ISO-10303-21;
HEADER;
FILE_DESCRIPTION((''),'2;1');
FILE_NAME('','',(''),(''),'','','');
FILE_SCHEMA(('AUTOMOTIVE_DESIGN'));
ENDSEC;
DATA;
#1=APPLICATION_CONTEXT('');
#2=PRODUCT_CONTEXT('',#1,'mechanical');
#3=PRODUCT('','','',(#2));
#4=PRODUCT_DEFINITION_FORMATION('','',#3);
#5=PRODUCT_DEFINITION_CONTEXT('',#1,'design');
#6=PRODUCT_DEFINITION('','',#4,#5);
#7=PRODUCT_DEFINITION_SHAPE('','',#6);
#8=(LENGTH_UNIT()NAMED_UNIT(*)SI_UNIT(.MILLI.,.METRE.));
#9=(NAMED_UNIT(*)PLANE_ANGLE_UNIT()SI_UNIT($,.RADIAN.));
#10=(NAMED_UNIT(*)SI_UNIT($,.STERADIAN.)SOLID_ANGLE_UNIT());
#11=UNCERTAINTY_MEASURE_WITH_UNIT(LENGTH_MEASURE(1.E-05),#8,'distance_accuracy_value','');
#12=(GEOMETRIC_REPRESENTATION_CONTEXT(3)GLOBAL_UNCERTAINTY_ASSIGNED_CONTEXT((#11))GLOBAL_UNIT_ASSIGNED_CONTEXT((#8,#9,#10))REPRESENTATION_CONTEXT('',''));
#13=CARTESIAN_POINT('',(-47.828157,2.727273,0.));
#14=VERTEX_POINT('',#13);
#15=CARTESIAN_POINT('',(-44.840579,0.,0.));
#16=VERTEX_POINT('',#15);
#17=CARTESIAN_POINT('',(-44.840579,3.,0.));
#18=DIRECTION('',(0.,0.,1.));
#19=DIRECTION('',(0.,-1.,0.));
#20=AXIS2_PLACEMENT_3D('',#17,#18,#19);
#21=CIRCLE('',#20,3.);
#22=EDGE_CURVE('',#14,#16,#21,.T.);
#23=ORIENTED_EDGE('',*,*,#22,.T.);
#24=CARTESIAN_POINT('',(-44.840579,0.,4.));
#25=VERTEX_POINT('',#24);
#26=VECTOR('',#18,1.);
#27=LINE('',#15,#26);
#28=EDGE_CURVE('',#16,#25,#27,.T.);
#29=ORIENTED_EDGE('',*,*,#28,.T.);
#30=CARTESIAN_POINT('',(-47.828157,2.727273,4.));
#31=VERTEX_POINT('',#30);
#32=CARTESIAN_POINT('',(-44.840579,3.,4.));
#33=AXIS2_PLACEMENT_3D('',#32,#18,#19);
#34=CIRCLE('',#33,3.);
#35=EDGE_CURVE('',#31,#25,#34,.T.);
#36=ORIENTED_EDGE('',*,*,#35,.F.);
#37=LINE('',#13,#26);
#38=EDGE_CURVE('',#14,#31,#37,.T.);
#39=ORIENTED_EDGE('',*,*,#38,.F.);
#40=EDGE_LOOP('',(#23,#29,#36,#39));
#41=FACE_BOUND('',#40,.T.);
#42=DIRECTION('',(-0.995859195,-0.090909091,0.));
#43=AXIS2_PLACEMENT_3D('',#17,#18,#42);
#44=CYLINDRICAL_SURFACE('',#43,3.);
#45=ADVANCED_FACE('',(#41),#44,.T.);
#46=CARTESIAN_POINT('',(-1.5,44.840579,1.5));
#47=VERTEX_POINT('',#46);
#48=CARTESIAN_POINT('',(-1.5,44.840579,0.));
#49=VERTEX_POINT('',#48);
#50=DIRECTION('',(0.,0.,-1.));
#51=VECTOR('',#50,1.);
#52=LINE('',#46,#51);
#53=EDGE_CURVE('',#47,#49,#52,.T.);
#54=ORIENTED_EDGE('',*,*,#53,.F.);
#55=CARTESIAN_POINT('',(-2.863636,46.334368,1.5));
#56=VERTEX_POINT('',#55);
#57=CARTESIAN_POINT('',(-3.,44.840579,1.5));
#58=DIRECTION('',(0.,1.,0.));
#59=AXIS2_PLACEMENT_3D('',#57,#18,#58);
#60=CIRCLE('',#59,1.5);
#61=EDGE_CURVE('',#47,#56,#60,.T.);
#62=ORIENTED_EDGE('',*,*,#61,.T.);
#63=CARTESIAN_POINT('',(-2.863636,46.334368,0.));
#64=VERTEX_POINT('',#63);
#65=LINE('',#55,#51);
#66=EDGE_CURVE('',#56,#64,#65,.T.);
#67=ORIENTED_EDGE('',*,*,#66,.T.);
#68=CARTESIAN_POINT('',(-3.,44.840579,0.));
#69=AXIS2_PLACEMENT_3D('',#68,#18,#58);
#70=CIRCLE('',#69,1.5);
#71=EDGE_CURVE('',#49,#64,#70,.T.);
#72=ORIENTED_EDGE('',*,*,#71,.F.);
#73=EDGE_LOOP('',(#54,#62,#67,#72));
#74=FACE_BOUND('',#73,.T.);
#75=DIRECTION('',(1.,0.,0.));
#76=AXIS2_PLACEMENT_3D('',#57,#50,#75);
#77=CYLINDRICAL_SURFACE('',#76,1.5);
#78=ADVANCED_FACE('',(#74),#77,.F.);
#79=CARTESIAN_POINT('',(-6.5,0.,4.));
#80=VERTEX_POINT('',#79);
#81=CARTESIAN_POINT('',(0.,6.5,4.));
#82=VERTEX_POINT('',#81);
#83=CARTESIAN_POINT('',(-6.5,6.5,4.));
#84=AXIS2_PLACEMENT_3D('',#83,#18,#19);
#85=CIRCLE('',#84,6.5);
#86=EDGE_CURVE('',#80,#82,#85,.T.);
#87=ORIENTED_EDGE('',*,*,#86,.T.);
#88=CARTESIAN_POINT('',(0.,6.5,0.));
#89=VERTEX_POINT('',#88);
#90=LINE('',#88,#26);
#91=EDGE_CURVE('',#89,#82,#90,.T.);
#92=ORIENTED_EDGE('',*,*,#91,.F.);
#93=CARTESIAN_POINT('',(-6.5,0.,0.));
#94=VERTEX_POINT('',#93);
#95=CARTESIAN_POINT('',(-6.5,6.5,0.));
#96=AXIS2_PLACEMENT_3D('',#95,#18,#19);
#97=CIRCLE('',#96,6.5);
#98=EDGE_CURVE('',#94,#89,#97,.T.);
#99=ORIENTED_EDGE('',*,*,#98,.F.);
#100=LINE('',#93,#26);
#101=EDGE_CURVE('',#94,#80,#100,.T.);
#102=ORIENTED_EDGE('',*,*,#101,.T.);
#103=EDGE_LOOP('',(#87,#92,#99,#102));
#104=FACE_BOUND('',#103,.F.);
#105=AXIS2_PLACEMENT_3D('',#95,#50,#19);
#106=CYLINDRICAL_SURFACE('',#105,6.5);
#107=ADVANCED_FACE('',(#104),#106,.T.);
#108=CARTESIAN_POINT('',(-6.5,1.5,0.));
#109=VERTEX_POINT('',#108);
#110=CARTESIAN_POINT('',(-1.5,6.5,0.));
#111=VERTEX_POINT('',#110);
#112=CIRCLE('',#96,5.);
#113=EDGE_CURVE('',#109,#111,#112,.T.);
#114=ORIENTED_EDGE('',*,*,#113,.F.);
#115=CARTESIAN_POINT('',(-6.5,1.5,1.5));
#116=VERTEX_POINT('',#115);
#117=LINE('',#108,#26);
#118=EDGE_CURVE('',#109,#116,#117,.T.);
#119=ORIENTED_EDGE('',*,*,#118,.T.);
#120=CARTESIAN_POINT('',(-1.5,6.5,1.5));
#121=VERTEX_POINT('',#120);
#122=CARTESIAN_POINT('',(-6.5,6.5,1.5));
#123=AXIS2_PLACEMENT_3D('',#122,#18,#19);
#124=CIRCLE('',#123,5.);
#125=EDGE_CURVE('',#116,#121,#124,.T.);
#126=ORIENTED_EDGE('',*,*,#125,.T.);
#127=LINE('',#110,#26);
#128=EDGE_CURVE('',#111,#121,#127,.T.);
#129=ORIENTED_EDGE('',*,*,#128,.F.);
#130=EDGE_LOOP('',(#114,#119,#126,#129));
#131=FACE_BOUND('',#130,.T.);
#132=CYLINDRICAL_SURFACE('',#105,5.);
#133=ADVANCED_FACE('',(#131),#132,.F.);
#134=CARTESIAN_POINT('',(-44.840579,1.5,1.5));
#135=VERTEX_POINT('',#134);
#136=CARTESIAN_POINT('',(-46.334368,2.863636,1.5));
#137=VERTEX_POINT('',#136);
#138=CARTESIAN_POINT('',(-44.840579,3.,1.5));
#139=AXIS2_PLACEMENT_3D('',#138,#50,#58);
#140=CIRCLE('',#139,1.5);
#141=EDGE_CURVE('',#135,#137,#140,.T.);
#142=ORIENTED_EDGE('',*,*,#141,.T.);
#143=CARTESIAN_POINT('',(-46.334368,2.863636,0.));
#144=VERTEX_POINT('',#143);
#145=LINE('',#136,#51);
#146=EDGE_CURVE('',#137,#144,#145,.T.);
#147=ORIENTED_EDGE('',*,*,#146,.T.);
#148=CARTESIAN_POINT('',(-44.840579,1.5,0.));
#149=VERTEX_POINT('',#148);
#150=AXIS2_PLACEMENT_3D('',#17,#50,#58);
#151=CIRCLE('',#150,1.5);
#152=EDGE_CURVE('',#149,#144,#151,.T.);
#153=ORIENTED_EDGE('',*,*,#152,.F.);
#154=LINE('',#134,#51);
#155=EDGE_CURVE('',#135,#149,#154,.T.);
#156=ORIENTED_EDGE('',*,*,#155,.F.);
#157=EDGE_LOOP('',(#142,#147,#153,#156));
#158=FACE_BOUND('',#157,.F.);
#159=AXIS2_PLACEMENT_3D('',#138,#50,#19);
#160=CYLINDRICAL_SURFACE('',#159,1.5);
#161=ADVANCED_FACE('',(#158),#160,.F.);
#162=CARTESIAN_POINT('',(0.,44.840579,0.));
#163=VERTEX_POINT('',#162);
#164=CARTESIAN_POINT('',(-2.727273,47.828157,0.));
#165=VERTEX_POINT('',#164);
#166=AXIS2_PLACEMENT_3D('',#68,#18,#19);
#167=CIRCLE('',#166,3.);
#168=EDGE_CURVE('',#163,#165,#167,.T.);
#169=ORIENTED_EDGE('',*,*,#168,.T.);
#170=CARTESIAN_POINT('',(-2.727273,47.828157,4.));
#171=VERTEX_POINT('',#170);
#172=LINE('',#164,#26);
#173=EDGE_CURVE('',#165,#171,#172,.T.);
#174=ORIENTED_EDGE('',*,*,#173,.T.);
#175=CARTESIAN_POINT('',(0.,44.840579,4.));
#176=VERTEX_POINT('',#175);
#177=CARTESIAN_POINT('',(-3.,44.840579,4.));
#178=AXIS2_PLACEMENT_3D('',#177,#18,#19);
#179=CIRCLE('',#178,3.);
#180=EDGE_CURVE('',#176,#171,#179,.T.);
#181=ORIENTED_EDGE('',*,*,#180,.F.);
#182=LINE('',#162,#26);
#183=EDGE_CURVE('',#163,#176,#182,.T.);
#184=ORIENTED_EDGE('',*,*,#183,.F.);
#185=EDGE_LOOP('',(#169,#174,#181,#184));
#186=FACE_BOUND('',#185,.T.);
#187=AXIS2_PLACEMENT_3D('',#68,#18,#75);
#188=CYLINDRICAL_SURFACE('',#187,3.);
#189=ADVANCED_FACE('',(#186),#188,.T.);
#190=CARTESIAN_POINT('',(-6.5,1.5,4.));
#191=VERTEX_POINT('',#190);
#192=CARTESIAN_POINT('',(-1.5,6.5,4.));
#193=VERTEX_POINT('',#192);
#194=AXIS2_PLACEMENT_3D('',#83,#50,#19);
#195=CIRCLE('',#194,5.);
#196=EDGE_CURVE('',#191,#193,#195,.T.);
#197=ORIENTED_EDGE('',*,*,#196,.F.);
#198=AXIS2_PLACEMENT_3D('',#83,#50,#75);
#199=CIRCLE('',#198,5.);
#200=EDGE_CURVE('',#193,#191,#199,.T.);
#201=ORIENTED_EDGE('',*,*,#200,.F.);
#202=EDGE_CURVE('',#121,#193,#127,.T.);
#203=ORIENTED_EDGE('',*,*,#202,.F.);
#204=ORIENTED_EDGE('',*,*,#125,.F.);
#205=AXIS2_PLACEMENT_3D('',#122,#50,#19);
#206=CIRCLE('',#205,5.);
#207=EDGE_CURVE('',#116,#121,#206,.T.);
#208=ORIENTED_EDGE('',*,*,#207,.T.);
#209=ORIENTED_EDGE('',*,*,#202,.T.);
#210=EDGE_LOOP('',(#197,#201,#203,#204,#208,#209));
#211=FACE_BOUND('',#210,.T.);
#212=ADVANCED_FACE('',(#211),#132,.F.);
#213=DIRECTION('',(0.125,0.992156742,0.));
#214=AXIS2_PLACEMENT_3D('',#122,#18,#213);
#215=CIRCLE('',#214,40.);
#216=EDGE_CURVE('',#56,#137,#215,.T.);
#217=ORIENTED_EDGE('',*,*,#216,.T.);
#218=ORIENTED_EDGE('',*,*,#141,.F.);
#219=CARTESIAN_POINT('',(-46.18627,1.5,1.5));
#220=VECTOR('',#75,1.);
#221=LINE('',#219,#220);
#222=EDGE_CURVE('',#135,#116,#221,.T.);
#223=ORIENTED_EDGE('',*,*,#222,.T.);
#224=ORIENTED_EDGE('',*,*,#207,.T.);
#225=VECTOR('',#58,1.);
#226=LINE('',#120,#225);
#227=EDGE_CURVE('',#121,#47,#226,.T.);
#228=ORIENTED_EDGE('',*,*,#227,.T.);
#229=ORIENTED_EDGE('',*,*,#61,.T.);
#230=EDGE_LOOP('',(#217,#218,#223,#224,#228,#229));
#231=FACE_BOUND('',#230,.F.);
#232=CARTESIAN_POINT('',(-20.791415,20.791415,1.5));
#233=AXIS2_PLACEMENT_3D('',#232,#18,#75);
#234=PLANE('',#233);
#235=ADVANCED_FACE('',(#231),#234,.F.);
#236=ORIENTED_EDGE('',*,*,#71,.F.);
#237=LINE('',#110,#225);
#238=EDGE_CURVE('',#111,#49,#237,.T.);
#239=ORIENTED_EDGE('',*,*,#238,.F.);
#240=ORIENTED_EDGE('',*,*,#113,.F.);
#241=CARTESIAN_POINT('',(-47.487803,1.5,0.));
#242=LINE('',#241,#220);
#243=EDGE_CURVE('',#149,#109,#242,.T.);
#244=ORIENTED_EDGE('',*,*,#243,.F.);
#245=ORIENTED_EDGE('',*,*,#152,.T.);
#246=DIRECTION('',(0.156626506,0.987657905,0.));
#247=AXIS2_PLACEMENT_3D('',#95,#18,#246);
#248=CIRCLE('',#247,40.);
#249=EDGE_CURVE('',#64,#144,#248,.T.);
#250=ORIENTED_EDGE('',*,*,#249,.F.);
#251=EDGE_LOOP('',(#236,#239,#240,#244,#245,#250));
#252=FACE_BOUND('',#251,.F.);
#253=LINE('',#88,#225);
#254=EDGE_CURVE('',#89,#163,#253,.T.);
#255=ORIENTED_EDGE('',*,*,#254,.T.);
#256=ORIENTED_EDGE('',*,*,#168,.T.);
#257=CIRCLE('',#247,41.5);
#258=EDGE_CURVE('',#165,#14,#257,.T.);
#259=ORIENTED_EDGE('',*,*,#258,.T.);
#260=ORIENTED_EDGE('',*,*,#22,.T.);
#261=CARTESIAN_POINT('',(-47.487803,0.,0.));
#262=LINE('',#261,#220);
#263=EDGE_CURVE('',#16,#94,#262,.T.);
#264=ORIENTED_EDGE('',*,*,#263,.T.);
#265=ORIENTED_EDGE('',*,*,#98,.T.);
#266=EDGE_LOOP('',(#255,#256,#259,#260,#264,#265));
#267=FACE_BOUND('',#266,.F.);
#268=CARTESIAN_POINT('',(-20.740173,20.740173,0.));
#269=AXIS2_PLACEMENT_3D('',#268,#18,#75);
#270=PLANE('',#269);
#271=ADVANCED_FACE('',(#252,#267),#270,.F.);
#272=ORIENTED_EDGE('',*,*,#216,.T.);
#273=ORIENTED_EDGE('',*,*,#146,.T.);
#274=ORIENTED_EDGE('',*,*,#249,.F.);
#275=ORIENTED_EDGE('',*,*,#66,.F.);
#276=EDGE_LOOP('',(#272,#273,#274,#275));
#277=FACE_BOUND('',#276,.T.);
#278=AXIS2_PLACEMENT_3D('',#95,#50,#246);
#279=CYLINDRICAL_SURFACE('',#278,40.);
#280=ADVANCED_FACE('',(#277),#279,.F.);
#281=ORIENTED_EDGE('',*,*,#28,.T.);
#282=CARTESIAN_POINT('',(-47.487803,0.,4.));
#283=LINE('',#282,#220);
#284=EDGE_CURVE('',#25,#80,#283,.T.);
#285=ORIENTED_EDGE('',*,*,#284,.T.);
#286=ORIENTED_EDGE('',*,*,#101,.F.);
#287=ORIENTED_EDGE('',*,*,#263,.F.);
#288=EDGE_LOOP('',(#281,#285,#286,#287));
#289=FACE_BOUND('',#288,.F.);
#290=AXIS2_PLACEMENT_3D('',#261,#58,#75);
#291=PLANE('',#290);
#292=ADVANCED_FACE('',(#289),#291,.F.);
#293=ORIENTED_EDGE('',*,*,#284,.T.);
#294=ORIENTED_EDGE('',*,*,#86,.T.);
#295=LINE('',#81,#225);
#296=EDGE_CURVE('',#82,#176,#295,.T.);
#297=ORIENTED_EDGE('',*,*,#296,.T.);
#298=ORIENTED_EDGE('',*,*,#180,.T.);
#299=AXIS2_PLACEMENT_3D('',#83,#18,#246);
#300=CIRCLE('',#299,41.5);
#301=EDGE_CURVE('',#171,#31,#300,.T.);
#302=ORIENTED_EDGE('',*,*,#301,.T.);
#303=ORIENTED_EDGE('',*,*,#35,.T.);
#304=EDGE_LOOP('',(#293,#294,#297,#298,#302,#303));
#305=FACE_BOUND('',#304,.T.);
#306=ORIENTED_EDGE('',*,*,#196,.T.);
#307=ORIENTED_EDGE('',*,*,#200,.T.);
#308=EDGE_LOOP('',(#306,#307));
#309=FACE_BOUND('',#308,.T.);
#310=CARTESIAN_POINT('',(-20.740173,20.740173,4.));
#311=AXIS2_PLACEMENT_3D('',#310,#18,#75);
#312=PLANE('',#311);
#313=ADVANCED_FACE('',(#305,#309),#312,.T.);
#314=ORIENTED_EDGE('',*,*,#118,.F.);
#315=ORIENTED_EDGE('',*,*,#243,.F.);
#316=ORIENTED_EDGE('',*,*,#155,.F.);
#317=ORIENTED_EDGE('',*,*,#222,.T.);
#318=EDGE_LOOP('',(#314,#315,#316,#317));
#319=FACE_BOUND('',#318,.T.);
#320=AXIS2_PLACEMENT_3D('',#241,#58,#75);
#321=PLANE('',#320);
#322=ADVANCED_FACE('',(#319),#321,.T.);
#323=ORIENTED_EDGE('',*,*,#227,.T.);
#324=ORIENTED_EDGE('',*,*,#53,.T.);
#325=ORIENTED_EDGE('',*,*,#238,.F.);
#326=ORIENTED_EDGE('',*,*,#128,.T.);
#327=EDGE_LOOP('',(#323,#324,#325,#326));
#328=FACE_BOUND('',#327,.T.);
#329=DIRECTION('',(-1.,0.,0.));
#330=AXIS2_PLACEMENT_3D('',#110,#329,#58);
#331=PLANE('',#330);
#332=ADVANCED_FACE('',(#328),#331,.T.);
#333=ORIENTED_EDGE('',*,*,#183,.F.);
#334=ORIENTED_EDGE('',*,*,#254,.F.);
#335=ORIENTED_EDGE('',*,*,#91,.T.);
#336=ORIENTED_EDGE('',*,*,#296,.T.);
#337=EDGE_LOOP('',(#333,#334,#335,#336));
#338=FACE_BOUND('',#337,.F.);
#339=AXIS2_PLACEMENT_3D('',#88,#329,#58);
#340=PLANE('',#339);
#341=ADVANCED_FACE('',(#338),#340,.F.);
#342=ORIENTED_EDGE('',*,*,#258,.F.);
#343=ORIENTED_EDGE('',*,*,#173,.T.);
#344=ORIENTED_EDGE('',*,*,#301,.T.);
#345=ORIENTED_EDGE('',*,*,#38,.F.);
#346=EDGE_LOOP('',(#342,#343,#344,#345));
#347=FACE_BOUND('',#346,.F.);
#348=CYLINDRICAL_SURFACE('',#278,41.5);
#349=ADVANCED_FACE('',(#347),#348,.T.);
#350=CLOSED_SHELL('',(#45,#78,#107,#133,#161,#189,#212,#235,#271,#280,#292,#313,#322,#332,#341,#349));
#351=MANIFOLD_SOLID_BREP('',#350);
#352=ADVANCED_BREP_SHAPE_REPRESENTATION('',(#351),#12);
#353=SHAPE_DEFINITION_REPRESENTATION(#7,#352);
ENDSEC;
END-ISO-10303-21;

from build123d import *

# Parameters (mm, degrees)
F1_DEPTH = 4
F2_T     = -1.5
F5_DEPTH = 2.5
F6_R     = 1.5
F7_R     = 3
F9_DEPTH = 4.001


with BuildPart() as f1:
    # F0 (on Top) → F1 (new body)
    with BuildSketch(Plane.XY):
        with BuildLine():
            ThreePointArc((-6.5, 0), (-1.9038059223, 1.9038059223), (0, 6.5))
            Line((0, 6.5), (0, 47.4878030638))
            ThreePointArc((0, 47.4878030638), (-35.8449314192, 35.8449314192), (-47.4878030638, 0))
            Line((-47.4878030638, 0), (-13, 0))
            Line((-13, 0), (-6.5, 0))
        make_face()
    extrude(amount=F1_DEPTH)

    # F2
    f2_openings = [f1.faces().sort_by_distance(p)[0] for p in [
        (-21.274509, 21.274509, 4),
        (-21.274509, 21.274509, 0),
    ]]
    offset(amount=F2_T, openings=f2_openings)

    # F4 (on offset) → F5 (join)
    with BuildSketch(Plane.XY.offset(1.5)):
        with BuildLine():
            Line((-46.186269666, 1.5), (-6.5, 1.5))
            ThreePointArc((-6.5, 1.5), (-2.9644660941, 2.9644660941), (-1.5, 6.5))
            Line((-1.5, 6.5), (-1.5, 46.186269666))
            ThreePointArc((-1.5, 46.186269666), (-34.7842712475, 34.7842712475), (-46.186269666, 1.5))
        make_face()
    extrude(amount=F5_DEPTH)

    # F6
    f6_edges = [f1.edges().sort_by_distance(p)[0] for p in [
        (-1.5, 46.18627, 0.75),
        (-46.18627, 1.5, 0.75),
    ]]
    fillet(f6_edges, radius=F6_R)

    # F7
    f7_edges = [f1.edges().sort_by_distance(p)[0] for p in [
        (-47.487803, 0, 2),
        (0, 47.487803, 2),
    ]]
    fillet(f7_edges, radius=F7_R)

    # F8 (on face) → F9 (cut, through all)
    with BuildSketch(Plane(origin=(0, 0, 0), x_dir=(1, 0, 0), z_dir=(0, 0, -1))):
        with BuildLine():
            ThreePointArc((-1.5, -6.5), (-2.9644660941, -2.9644660941), (-6.5, -1.5))
            ThreePointArc((-6.5, -1.5), (-10.0355339059, -10.0355339059), (-1.5, -6.5))
        make_face()
    extrude(amount=-F9_DEPTH, mode=Mode.SUBTRACT)


solid = f1.part
